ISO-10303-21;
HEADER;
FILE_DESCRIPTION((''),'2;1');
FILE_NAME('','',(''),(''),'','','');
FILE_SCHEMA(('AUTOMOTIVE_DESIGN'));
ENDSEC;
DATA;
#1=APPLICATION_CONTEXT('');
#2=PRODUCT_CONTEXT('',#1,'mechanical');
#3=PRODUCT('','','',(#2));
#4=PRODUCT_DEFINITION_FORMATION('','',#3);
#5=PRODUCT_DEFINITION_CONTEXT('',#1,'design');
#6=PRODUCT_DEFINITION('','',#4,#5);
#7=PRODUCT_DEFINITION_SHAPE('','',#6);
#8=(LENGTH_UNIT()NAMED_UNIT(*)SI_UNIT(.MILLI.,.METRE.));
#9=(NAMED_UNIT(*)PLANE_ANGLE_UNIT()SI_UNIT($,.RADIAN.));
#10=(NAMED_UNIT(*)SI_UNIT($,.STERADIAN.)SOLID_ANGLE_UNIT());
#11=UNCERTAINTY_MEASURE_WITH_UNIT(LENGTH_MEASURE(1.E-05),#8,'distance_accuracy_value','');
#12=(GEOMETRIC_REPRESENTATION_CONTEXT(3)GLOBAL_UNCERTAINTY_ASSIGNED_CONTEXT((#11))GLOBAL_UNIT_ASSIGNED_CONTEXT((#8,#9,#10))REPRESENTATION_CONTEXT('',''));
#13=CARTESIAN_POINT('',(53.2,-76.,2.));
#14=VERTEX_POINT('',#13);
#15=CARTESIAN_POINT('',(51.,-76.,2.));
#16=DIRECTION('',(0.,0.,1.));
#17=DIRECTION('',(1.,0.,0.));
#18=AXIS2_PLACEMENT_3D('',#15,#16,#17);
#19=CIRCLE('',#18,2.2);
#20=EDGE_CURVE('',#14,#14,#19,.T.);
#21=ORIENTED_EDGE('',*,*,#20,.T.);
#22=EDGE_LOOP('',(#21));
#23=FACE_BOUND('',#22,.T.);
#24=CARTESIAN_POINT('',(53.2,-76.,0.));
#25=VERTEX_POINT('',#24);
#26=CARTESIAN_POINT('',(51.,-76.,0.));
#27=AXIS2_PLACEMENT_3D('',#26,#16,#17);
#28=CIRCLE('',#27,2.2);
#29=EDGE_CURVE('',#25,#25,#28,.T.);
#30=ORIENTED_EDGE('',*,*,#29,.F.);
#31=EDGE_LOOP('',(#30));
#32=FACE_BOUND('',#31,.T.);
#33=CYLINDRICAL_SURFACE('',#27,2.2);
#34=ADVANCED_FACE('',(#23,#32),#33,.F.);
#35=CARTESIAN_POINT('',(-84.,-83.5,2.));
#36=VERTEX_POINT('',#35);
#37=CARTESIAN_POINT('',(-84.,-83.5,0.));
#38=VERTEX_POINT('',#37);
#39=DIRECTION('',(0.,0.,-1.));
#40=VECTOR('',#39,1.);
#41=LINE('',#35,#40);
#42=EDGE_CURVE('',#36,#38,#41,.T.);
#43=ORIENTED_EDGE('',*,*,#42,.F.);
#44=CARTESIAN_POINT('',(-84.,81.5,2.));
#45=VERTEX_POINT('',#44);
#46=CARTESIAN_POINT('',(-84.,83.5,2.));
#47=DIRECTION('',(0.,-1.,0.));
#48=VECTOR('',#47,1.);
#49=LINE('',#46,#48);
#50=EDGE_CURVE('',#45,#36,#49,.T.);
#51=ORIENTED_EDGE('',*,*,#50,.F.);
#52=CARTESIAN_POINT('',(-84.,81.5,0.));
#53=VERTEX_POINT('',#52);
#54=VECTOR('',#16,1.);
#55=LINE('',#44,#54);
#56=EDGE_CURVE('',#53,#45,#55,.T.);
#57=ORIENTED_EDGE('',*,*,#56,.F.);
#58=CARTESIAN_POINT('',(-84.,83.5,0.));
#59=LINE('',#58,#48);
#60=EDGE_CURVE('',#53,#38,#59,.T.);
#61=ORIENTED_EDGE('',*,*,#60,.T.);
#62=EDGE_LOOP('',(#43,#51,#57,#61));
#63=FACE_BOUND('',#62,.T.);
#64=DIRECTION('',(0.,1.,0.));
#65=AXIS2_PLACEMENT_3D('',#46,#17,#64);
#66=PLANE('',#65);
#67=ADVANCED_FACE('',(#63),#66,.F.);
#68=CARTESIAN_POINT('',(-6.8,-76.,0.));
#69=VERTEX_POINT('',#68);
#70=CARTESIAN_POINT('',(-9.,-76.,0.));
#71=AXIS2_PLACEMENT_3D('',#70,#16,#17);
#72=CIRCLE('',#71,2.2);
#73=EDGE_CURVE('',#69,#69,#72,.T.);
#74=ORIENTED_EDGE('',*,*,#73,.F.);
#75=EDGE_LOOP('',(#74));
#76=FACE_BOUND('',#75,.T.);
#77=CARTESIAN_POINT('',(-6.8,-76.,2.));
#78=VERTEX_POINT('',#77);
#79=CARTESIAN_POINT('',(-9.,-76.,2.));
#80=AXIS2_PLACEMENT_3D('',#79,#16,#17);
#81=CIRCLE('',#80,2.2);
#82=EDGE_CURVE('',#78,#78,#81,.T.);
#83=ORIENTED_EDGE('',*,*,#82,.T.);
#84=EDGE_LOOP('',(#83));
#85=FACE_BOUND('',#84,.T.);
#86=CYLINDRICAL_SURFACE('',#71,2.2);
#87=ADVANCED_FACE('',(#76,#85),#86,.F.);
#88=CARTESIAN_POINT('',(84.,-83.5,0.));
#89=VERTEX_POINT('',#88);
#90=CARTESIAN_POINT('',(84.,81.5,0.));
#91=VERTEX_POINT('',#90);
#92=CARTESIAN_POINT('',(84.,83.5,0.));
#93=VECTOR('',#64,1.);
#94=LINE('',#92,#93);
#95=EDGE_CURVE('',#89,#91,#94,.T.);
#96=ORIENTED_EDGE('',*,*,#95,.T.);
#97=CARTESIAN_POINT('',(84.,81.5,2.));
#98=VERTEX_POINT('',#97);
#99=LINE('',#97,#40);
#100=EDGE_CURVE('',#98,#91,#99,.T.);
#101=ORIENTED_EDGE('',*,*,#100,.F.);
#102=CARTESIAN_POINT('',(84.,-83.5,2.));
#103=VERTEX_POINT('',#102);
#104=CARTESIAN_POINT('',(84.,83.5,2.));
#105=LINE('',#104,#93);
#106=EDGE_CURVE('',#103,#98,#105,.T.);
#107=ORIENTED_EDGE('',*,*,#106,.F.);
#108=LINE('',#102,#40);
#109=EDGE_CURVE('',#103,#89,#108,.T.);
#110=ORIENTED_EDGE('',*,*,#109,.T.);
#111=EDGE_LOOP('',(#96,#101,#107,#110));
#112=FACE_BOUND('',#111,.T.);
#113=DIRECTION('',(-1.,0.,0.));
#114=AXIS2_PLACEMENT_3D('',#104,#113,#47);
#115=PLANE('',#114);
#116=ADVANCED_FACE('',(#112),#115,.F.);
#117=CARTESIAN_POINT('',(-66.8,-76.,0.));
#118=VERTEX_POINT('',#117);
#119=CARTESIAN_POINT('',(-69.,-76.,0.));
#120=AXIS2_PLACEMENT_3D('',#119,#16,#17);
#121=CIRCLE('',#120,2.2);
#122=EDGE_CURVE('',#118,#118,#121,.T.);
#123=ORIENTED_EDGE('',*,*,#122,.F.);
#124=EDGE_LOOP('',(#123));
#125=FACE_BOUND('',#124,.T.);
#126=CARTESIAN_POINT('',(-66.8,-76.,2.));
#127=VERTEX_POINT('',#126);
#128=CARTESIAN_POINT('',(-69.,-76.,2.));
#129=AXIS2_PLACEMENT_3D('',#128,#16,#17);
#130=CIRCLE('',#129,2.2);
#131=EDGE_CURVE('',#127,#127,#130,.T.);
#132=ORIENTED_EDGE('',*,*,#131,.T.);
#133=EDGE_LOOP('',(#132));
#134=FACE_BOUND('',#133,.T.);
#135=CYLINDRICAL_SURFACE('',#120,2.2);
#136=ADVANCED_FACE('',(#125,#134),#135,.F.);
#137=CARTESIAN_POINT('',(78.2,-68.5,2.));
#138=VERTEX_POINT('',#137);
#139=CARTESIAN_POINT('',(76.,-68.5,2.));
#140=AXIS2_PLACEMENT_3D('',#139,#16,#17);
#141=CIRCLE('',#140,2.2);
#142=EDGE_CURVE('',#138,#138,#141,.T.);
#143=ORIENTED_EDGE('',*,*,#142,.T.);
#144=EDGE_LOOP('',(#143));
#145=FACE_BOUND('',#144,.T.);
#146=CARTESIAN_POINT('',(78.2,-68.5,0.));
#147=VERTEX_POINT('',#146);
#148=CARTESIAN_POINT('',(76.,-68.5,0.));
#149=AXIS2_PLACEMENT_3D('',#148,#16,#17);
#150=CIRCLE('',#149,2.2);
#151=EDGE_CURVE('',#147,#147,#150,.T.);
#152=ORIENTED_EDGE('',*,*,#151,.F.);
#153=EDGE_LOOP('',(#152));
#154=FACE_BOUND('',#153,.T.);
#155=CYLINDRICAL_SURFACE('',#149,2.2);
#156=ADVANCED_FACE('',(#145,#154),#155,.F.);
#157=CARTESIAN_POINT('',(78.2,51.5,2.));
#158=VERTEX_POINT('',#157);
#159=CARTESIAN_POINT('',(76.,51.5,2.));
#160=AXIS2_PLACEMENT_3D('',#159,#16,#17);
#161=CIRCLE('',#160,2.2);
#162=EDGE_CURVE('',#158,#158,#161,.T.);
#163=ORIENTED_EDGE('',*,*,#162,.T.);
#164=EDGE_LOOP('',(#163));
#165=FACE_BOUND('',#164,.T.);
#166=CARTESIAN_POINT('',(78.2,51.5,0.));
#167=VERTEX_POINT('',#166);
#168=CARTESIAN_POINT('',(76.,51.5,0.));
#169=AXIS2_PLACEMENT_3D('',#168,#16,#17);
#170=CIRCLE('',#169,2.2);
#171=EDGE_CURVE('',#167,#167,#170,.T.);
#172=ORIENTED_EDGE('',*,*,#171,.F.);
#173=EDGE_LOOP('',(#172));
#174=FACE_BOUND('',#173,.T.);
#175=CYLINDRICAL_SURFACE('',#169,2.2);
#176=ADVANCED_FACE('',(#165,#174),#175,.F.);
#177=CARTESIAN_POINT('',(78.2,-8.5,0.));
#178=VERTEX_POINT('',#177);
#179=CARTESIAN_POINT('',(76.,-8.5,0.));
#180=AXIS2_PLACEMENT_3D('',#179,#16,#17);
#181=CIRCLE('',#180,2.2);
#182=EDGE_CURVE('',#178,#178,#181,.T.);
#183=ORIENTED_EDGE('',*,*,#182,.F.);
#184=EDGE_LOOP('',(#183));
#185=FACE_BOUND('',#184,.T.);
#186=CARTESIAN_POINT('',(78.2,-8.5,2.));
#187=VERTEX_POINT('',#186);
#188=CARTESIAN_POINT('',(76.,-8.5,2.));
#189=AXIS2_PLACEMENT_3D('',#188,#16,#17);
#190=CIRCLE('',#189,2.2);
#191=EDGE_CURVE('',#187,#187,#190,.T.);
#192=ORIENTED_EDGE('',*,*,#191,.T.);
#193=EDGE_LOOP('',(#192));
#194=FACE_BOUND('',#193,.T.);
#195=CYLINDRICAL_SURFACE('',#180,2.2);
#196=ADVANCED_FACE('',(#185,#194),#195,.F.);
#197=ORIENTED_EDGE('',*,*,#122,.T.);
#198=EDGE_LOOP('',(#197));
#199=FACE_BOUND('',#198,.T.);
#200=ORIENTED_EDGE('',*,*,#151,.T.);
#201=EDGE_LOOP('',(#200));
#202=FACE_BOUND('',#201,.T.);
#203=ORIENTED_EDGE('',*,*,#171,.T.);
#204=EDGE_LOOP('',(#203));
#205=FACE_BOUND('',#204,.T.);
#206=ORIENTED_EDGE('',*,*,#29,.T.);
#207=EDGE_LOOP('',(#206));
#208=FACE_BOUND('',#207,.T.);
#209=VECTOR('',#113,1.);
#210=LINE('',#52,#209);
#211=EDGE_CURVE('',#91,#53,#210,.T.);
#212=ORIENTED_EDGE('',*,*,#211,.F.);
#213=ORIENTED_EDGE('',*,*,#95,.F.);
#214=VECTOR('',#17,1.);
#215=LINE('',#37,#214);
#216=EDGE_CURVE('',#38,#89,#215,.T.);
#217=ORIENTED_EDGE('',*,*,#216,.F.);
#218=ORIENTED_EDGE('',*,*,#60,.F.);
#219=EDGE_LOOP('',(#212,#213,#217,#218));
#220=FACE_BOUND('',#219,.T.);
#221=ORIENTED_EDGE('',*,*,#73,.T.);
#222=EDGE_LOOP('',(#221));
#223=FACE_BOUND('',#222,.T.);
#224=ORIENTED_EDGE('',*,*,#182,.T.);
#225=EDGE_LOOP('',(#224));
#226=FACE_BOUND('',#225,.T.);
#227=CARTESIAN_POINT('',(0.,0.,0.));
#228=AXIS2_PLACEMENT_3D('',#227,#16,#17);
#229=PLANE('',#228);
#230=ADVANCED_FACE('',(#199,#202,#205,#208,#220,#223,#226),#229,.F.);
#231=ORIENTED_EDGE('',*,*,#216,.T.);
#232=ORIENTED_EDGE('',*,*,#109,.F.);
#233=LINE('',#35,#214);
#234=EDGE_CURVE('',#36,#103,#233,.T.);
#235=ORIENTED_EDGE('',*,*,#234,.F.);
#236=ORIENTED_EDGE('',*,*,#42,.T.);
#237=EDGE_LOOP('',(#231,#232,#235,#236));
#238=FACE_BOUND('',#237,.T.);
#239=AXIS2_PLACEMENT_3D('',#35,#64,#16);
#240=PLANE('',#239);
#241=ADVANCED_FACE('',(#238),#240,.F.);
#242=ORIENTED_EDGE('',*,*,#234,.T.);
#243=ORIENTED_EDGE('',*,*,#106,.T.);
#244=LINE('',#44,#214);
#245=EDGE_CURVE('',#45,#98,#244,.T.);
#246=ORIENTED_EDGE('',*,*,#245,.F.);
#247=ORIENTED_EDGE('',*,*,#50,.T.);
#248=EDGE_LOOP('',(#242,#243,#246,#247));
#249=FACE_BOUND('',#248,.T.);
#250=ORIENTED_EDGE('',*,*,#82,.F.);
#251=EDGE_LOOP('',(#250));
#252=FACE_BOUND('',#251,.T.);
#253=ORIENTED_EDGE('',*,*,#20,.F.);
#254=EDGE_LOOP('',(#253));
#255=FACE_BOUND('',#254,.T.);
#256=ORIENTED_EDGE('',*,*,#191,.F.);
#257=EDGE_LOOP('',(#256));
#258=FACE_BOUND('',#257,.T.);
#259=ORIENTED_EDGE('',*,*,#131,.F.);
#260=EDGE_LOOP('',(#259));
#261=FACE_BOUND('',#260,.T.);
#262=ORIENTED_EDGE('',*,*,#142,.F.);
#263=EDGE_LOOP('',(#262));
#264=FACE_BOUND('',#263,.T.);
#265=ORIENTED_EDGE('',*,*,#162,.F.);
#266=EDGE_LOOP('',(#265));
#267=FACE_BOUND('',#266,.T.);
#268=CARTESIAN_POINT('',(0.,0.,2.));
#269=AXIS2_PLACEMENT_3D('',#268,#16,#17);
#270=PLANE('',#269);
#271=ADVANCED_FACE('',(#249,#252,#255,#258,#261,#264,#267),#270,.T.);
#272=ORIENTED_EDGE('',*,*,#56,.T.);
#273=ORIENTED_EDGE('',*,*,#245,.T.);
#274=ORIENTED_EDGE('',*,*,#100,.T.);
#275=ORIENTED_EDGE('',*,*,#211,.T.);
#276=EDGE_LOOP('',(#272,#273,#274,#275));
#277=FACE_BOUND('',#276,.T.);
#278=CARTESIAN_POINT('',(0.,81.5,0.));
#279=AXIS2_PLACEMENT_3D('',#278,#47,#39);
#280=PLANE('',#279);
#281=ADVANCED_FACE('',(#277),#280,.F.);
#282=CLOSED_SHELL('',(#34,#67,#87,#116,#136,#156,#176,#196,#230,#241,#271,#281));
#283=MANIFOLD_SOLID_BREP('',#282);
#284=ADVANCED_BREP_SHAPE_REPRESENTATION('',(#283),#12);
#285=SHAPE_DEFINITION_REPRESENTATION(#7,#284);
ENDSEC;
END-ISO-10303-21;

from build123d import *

# Parameters (mm, degrees)
SKETCH_1_W          = 168
SKETCH_1_H          = 167
EXTRUDE_1_DEPTH     = 2
SKETCH_2_R          = 2.2
CUT_EXTRUDE_1_DEPTH = 2
SKETCH_3_W          = 168
SKETCH_3_H          = 2
CUT_EXTRUDE_2_DEPTH = 2
SKETCH_4_R          = 2.2
CUT_EXTRUDE_3_DEPTH = 2


with BuildPart() as part:
    # ｽｹｯﾁ1 → ﾎﾞｽ - 押し出し1 (new body)
    with BuildSketch(Plane.XY):
        Rectangle(SKETCH_1_W, SKETCH_1_H)
    extrude(amount=EXTRUDE_1_DEPTH)

    # ｽｹｯﾁ2 → ｶｯﾄ - 押し出し1 (cut)
    with BuildSketch(Plane.XY.offset(2)):
        with Locations((76, -68.5)):
            Circle(SKETCH_2_R)
        with Locations((76, -8.5)):
            Circle(SKETCH_2_R)
        with Locations((76, 51.5)):
            Circle(SKETCH_2_R)
    extrude(amount=-CUT_EXTRUDE_1_DEPTH, mode=Mode.SUBTRACT)

    # ｽｹｯﾁ3 → ｶｯﾄ - 押し出し2 (cut)
    with BuildSketch(Plane(origin=(0, 83.5, 0), x_dir=(1, 0, 0), z_dir=(0, 1, 0))):
        with Locations((0, -1)):
            Rectangle(SKETCH_3_W, SKETCH_3_H)
    extrude(amount=-CUT_EXTRUDE_2_DEPTH, mode=Mode.SUBTRACT)

    # ｽｹｯﾁ4 → ｶｯﾄ - 押し出し3 (cut)
    with BuildSketch(Plane.XY.offset(2)):
        with BuildLine():
            ThreePointArc((-6.8, -76), (-9, -73.8), (-11.2, -76))
            Line((-11.2, -76), (-9, -76))
            Line((-9, -76), (-6.8, -76))
        make_face()
        with BuildLine():
            Line((-9, -76), (-11.2, -76))
            ThreePointArc((-11.2, -76), (-9, -78.2), (-6.8, -76))
            Line((-6.8, -76), (-9, -76))
        make_face()
        with BuildLine():
            ThreePointArc((-66.8, -76), (-69, -73.8), (-71.2, -76))
            Line((-71.2, -76), (-69, -76))
            Line((-69, -76), (-66.8, -76))
        make_face()
        with BuildLine():
            Line((-69, -76), (-71.2, -76))
            ThreePointArc((-71.2, -76), (-69, -78.2), (-66.8, -76))
            Line((-66.8, -76), (-69, -76))
        make_face()
        with Locations((51, -76)):
            Circle(SKETCH_4_R)
    extrude(amount=-CUT_EXTRUDE_3_DEPTH, mode=Mode.SUBTRACT)


solid = part.part
